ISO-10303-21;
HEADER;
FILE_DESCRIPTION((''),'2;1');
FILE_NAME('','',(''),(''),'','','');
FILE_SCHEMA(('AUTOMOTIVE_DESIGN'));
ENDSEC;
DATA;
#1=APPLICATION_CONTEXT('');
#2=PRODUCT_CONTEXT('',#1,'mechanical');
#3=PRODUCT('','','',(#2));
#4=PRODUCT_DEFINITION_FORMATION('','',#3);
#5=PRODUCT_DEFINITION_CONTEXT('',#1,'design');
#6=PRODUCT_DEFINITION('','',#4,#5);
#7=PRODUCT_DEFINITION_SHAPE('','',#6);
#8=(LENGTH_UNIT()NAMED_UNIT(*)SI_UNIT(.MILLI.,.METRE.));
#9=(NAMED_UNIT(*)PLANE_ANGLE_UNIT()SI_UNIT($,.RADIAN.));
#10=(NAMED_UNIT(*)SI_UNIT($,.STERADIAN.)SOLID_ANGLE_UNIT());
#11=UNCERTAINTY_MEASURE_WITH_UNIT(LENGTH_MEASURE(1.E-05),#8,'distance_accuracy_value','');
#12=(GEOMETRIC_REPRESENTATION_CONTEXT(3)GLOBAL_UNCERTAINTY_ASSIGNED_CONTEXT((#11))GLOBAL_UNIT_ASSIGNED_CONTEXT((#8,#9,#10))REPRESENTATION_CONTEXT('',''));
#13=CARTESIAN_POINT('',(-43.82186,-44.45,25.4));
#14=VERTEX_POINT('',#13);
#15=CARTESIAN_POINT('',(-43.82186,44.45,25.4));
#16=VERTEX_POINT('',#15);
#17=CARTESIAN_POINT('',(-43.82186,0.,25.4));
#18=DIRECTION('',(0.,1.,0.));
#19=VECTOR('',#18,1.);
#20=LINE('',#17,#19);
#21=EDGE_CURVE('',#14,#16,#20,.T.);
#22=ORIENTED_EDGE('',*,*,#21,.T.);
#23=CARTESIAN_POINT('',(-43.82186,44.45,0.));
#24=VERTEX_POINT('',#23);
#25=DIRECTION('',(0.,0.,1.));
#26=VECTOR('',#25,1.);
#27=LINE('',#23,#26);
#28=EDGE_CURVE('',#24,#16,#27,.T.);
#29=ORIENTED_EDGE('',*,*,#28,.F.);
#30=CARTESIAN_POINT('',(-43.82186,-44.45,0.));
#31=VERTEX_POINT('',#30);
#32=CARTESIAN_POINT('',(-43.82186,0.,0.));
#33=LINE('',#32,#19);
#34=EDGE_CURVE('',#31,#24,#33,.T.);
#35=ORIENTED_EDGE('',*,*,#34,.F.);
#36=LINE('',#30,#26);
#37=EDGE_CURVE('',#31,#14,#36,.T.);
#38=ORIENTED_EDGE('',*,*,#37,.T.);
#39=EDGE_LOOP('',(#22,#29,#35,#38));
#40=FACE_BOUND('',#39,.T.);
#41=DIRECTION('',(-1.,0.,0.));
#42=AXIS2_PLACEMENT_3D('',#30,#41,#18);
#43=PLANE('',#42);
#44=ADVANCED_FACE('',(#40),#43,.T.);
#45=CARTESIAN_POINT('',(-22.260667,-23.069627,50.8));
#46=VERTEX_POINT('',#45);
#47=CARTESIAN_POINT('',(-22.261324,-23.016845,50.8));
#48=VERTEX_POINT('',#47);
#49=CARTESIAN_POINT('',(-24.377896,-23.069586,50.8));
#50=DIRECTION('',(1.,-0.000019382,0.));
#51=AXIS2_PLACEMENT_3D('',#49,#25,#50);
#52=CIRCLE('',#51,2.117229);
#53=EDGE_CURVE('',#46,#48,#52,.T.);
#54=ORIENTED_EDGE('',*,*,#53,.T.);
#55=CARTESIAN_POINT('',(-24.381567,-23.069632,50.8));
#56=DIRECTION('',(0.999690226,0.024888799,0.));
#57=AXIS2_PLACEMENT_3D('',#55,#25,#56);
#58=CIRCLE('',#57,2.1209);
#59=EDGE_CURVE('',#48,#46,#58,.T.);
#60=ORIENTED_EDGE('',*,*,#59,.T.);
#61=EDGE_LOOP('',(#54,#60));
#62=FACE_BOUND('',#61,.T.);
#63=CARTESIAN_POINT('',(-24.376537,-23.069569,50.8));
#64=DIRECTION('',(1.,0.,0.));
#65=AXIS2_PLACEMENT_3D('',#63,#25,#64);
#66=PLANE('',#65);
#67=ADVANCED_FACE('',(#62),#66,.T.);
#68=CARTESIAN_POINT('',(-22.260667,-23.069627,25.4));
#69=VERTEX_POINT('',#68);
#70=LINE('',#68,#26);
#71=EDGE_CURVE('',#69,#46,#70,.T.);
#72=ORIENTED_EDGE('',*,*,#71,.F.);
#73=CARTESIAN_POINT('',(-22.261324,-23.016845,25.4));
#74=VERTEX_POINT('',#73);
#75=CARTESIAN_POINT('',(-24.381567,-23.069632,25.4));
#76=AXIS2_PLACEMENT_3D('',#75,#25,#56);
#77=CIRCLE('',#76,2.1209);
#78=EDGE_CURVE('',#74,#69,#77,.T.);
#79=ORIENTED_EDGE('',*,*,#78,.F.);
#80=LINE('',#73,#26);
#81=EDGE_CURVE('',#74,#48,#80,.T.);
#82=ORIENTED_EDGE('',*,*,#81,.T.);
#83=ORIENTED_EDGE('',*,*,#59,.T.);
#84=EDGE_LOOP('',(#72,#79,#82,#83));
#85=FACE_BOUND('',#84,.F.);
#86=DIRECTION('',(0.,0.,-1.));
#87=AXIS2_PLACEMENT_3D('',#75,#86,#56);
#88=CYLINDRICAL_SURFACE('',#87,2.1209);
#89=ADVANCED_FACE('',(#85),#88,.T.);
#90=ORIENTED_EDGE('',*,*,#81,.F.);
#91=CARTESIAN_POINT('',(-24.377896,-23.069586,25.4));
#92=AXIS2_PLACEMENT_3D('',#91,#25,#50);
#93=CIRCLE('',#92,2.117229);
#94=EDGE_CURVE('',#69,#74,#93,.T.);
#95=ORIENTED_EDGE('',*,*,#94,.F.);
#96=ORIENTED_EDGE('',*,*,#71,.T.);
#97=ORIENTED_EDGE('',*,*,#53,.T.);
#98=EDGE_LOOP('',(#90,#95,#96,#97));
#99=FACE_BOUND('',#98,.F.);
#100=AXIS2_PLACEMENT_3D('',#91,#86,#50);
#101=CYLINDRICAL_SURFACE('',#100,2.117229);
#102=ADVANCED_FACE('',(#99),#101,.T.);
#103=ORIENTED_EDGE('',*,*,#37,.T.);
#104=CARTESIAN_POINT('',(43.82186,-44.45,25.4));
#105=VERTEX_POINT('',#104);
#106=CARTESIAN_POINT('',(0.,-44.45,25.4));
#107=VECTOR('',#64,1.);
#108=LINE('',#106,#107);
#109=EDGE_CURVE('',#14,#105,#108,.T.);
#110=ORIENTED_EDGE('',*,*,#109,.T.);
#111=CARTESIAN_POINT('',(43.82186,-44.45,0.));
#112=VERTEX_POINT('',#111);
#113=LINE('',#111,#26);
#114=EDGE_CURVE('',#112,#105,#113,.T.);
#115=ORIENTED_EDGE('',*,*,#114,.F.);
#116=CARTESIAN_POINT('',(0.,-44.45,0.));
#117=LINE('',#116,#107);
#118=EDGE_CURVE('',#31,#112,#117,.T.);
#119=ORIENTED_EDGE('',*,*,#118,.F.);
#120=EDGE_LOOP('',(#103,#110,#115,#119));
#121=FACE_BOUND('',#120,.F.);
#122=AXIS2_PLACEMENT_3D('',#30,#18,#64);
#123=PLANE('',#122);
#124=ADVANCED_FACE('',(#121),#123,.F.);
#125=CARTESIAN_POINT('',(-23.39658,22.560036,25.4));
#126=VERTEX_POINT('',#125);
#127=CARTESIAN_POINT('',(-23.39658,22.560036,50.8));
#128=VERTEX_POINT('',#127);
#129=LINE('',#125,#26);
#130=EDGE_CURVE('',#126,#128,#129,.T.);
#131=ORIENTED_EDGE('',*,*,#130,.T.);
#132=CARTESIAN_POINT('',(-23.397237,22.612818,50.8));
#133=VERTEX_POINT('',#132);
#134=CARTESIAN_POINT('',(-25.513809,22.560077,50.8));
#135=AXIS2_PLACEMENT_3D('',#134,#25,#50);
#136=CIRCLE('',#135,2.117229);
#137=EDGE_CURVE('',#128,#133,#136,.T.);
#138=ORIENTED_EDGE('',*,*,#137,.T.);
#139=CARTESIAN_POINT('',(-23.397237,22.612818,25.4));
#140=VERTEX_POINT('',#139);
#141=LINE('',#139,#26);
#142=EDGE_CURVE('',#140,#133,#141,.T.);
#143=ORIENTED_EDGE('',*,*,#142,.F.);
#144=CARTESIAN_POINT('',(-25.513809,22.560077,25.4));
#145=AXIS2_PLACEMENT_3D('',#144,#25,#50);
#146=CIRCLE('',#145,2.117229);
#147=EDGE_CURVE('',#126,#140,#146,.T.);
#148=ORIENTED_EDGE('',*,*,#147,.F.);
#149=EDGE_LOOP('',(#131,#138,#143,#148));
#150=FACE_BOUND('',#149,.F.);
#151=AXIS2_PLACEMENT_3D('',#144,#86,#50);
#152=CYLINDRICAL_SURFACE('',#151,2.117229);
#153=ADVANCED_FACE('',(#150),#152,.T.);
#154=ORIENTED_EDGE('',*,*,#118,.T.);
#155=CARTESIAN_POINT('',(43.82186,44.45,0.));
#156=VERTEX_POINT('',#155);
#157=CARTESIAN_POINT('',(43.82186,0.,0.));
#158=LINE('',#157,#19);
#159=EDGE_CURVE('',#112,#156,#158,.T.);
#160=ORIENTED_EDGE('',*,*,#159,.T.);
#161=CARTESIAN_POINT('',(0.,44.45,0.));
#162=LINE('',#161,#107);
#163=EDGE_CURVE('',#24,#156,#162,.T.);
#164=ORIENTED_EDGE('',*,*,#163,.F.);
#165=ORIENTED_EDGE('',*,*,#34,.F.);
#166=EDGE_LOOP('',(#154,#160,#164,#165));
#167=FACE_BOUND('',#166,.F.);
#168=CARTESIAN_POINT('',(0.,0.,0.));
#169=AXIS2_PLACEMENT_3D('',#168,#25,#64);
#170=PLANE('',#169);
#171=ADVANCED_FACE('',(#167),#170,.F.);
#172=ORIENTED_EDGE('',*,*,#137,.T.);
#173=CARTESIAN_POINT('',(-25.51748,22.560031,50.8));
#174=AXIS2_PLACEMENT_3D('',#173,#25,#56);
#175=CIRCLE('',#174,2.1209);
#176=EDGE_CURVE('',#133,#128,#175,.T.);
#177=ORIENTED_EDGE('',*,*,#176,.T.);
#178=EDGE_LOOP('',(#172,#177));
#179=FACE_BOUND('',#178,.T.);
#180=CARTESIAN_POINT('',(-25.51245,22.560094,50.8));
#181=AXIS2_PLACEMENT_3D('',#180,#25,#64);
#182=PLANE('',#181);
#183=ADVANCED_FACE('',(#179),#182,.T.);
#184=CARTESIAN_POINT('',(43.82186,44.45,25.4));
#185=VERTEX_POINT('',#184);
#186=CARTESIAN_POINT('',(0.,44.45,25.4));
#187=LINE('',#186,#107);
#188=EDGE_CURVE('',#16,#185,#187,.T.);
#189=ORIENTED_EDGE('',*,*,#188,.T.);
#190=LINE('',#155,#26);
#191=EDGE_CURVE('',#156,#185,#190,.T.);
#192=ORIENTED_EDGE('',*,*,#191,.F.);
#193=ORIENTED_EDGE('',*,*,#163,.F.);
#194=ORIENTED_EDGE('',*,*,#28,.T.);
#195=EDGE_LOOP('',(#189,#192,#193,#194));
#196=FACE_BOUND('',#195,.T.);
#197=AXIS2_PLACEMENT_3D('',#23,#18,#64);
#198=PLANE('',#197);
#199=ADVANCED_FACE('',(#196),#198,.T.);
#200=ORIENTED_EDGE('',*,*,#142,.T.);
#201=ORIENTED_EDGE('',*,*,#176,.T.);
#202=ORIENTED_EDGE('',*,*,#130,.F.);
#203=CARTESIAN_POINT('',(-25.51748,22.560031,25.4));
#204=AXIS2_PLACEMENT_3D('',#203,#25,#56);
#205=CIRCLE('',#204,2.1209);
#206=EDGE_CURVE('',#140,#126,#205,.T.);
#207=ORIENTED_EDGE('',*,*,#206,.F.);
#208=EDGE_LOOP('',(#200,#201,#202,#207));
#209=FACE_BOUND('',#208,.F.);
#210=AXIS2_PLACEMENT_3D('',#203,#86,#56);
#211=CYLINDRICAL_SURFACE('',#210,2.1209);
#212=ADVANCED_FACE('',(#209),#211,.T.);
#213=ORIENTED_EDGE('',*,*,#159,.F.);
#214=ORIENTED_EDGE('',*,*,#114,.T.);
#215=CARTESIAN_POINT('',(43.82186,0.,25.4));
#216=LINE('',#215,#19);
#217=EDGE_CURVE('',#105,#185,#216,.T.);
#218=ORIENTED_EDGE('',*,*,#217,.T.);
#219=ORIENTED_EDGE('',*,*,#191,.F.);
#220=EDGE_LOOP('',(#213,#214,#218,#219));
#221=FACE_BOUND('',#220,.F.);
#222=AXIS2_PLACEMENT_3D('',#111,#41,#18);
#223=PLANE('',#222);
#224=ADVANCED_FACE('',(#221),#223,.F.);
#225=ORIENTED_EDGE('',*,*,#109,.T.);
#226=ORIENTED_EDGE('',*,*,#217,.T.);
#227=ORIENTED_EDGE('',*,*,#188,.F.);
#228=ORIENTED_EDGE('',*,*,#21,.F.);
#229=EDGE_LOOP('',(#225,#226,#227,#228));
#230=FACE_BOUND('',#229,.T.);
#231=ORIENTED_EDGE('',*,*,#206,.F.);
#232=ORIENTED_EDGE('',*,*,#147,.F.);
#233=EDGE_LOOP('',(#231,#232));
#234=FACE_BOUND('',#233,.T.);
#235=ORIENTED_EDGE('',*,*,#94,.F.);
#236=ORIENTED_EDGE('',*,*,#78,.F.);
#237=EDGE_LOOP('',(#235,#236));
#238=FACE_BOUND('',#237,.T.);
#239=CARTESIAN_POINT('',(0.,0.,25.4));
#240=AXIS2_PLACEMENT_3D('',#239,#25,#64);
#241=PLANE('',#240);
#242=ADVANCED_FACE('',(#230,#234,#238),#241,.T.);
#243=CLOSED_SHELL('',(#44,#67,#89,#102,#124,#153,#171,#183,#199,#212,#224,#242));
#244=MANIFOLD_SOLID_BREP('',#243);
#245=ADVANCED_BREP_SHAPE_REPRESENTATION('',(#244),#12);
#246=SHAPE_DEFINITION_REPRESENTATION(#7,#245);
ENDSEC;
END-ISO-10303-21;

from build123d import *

# Parameters (mm, degrees)
F0_W     = 87.64372
F0_H     = 88.9
F1_DEPTH = 25.4
F3_DEPTH = 25.4
F4_DEPTH = 25.4


with BuildPart() as f1:
    # F0 (on Top) → F1 (new body)
    with BuildSketch(Plane.XY):
        Rectangle(F0_W, F0_H)
    extrude(amount=F1_DEPTH)

    # F2 (on face) → F3 (join)
    with BuildSketch(Plane.XY.offset(25.4)):
        with BuildLine():
            ThreePointArc((-23.397237, 22.612818), (-27.638216, 22.533643), (-23.39658, 22.560036))
            ThreePointArc((-23.39658, 22.560036), (-23.396744, 22.586429), (-23.397237, 22.612818))
        make_face()
    extrude(amount=F3_DEPTH)

    # F2 (on face) → F4 (join)
    with BuildSketch(Plane.XY.offset(25.4)):
        with BuildLine():
            ThreePointArc((-22.260667, -23.069627), (-22.260831, -23.043234), (-22.261324, -23.016845))
            ThreePointArc((-22.261324, -23.016845), (-26.502303, -23.09602), (-22.260667, -23.069627))
        make_face()
    extrude(amount=F4_DEPTH)


solid = f1.part
